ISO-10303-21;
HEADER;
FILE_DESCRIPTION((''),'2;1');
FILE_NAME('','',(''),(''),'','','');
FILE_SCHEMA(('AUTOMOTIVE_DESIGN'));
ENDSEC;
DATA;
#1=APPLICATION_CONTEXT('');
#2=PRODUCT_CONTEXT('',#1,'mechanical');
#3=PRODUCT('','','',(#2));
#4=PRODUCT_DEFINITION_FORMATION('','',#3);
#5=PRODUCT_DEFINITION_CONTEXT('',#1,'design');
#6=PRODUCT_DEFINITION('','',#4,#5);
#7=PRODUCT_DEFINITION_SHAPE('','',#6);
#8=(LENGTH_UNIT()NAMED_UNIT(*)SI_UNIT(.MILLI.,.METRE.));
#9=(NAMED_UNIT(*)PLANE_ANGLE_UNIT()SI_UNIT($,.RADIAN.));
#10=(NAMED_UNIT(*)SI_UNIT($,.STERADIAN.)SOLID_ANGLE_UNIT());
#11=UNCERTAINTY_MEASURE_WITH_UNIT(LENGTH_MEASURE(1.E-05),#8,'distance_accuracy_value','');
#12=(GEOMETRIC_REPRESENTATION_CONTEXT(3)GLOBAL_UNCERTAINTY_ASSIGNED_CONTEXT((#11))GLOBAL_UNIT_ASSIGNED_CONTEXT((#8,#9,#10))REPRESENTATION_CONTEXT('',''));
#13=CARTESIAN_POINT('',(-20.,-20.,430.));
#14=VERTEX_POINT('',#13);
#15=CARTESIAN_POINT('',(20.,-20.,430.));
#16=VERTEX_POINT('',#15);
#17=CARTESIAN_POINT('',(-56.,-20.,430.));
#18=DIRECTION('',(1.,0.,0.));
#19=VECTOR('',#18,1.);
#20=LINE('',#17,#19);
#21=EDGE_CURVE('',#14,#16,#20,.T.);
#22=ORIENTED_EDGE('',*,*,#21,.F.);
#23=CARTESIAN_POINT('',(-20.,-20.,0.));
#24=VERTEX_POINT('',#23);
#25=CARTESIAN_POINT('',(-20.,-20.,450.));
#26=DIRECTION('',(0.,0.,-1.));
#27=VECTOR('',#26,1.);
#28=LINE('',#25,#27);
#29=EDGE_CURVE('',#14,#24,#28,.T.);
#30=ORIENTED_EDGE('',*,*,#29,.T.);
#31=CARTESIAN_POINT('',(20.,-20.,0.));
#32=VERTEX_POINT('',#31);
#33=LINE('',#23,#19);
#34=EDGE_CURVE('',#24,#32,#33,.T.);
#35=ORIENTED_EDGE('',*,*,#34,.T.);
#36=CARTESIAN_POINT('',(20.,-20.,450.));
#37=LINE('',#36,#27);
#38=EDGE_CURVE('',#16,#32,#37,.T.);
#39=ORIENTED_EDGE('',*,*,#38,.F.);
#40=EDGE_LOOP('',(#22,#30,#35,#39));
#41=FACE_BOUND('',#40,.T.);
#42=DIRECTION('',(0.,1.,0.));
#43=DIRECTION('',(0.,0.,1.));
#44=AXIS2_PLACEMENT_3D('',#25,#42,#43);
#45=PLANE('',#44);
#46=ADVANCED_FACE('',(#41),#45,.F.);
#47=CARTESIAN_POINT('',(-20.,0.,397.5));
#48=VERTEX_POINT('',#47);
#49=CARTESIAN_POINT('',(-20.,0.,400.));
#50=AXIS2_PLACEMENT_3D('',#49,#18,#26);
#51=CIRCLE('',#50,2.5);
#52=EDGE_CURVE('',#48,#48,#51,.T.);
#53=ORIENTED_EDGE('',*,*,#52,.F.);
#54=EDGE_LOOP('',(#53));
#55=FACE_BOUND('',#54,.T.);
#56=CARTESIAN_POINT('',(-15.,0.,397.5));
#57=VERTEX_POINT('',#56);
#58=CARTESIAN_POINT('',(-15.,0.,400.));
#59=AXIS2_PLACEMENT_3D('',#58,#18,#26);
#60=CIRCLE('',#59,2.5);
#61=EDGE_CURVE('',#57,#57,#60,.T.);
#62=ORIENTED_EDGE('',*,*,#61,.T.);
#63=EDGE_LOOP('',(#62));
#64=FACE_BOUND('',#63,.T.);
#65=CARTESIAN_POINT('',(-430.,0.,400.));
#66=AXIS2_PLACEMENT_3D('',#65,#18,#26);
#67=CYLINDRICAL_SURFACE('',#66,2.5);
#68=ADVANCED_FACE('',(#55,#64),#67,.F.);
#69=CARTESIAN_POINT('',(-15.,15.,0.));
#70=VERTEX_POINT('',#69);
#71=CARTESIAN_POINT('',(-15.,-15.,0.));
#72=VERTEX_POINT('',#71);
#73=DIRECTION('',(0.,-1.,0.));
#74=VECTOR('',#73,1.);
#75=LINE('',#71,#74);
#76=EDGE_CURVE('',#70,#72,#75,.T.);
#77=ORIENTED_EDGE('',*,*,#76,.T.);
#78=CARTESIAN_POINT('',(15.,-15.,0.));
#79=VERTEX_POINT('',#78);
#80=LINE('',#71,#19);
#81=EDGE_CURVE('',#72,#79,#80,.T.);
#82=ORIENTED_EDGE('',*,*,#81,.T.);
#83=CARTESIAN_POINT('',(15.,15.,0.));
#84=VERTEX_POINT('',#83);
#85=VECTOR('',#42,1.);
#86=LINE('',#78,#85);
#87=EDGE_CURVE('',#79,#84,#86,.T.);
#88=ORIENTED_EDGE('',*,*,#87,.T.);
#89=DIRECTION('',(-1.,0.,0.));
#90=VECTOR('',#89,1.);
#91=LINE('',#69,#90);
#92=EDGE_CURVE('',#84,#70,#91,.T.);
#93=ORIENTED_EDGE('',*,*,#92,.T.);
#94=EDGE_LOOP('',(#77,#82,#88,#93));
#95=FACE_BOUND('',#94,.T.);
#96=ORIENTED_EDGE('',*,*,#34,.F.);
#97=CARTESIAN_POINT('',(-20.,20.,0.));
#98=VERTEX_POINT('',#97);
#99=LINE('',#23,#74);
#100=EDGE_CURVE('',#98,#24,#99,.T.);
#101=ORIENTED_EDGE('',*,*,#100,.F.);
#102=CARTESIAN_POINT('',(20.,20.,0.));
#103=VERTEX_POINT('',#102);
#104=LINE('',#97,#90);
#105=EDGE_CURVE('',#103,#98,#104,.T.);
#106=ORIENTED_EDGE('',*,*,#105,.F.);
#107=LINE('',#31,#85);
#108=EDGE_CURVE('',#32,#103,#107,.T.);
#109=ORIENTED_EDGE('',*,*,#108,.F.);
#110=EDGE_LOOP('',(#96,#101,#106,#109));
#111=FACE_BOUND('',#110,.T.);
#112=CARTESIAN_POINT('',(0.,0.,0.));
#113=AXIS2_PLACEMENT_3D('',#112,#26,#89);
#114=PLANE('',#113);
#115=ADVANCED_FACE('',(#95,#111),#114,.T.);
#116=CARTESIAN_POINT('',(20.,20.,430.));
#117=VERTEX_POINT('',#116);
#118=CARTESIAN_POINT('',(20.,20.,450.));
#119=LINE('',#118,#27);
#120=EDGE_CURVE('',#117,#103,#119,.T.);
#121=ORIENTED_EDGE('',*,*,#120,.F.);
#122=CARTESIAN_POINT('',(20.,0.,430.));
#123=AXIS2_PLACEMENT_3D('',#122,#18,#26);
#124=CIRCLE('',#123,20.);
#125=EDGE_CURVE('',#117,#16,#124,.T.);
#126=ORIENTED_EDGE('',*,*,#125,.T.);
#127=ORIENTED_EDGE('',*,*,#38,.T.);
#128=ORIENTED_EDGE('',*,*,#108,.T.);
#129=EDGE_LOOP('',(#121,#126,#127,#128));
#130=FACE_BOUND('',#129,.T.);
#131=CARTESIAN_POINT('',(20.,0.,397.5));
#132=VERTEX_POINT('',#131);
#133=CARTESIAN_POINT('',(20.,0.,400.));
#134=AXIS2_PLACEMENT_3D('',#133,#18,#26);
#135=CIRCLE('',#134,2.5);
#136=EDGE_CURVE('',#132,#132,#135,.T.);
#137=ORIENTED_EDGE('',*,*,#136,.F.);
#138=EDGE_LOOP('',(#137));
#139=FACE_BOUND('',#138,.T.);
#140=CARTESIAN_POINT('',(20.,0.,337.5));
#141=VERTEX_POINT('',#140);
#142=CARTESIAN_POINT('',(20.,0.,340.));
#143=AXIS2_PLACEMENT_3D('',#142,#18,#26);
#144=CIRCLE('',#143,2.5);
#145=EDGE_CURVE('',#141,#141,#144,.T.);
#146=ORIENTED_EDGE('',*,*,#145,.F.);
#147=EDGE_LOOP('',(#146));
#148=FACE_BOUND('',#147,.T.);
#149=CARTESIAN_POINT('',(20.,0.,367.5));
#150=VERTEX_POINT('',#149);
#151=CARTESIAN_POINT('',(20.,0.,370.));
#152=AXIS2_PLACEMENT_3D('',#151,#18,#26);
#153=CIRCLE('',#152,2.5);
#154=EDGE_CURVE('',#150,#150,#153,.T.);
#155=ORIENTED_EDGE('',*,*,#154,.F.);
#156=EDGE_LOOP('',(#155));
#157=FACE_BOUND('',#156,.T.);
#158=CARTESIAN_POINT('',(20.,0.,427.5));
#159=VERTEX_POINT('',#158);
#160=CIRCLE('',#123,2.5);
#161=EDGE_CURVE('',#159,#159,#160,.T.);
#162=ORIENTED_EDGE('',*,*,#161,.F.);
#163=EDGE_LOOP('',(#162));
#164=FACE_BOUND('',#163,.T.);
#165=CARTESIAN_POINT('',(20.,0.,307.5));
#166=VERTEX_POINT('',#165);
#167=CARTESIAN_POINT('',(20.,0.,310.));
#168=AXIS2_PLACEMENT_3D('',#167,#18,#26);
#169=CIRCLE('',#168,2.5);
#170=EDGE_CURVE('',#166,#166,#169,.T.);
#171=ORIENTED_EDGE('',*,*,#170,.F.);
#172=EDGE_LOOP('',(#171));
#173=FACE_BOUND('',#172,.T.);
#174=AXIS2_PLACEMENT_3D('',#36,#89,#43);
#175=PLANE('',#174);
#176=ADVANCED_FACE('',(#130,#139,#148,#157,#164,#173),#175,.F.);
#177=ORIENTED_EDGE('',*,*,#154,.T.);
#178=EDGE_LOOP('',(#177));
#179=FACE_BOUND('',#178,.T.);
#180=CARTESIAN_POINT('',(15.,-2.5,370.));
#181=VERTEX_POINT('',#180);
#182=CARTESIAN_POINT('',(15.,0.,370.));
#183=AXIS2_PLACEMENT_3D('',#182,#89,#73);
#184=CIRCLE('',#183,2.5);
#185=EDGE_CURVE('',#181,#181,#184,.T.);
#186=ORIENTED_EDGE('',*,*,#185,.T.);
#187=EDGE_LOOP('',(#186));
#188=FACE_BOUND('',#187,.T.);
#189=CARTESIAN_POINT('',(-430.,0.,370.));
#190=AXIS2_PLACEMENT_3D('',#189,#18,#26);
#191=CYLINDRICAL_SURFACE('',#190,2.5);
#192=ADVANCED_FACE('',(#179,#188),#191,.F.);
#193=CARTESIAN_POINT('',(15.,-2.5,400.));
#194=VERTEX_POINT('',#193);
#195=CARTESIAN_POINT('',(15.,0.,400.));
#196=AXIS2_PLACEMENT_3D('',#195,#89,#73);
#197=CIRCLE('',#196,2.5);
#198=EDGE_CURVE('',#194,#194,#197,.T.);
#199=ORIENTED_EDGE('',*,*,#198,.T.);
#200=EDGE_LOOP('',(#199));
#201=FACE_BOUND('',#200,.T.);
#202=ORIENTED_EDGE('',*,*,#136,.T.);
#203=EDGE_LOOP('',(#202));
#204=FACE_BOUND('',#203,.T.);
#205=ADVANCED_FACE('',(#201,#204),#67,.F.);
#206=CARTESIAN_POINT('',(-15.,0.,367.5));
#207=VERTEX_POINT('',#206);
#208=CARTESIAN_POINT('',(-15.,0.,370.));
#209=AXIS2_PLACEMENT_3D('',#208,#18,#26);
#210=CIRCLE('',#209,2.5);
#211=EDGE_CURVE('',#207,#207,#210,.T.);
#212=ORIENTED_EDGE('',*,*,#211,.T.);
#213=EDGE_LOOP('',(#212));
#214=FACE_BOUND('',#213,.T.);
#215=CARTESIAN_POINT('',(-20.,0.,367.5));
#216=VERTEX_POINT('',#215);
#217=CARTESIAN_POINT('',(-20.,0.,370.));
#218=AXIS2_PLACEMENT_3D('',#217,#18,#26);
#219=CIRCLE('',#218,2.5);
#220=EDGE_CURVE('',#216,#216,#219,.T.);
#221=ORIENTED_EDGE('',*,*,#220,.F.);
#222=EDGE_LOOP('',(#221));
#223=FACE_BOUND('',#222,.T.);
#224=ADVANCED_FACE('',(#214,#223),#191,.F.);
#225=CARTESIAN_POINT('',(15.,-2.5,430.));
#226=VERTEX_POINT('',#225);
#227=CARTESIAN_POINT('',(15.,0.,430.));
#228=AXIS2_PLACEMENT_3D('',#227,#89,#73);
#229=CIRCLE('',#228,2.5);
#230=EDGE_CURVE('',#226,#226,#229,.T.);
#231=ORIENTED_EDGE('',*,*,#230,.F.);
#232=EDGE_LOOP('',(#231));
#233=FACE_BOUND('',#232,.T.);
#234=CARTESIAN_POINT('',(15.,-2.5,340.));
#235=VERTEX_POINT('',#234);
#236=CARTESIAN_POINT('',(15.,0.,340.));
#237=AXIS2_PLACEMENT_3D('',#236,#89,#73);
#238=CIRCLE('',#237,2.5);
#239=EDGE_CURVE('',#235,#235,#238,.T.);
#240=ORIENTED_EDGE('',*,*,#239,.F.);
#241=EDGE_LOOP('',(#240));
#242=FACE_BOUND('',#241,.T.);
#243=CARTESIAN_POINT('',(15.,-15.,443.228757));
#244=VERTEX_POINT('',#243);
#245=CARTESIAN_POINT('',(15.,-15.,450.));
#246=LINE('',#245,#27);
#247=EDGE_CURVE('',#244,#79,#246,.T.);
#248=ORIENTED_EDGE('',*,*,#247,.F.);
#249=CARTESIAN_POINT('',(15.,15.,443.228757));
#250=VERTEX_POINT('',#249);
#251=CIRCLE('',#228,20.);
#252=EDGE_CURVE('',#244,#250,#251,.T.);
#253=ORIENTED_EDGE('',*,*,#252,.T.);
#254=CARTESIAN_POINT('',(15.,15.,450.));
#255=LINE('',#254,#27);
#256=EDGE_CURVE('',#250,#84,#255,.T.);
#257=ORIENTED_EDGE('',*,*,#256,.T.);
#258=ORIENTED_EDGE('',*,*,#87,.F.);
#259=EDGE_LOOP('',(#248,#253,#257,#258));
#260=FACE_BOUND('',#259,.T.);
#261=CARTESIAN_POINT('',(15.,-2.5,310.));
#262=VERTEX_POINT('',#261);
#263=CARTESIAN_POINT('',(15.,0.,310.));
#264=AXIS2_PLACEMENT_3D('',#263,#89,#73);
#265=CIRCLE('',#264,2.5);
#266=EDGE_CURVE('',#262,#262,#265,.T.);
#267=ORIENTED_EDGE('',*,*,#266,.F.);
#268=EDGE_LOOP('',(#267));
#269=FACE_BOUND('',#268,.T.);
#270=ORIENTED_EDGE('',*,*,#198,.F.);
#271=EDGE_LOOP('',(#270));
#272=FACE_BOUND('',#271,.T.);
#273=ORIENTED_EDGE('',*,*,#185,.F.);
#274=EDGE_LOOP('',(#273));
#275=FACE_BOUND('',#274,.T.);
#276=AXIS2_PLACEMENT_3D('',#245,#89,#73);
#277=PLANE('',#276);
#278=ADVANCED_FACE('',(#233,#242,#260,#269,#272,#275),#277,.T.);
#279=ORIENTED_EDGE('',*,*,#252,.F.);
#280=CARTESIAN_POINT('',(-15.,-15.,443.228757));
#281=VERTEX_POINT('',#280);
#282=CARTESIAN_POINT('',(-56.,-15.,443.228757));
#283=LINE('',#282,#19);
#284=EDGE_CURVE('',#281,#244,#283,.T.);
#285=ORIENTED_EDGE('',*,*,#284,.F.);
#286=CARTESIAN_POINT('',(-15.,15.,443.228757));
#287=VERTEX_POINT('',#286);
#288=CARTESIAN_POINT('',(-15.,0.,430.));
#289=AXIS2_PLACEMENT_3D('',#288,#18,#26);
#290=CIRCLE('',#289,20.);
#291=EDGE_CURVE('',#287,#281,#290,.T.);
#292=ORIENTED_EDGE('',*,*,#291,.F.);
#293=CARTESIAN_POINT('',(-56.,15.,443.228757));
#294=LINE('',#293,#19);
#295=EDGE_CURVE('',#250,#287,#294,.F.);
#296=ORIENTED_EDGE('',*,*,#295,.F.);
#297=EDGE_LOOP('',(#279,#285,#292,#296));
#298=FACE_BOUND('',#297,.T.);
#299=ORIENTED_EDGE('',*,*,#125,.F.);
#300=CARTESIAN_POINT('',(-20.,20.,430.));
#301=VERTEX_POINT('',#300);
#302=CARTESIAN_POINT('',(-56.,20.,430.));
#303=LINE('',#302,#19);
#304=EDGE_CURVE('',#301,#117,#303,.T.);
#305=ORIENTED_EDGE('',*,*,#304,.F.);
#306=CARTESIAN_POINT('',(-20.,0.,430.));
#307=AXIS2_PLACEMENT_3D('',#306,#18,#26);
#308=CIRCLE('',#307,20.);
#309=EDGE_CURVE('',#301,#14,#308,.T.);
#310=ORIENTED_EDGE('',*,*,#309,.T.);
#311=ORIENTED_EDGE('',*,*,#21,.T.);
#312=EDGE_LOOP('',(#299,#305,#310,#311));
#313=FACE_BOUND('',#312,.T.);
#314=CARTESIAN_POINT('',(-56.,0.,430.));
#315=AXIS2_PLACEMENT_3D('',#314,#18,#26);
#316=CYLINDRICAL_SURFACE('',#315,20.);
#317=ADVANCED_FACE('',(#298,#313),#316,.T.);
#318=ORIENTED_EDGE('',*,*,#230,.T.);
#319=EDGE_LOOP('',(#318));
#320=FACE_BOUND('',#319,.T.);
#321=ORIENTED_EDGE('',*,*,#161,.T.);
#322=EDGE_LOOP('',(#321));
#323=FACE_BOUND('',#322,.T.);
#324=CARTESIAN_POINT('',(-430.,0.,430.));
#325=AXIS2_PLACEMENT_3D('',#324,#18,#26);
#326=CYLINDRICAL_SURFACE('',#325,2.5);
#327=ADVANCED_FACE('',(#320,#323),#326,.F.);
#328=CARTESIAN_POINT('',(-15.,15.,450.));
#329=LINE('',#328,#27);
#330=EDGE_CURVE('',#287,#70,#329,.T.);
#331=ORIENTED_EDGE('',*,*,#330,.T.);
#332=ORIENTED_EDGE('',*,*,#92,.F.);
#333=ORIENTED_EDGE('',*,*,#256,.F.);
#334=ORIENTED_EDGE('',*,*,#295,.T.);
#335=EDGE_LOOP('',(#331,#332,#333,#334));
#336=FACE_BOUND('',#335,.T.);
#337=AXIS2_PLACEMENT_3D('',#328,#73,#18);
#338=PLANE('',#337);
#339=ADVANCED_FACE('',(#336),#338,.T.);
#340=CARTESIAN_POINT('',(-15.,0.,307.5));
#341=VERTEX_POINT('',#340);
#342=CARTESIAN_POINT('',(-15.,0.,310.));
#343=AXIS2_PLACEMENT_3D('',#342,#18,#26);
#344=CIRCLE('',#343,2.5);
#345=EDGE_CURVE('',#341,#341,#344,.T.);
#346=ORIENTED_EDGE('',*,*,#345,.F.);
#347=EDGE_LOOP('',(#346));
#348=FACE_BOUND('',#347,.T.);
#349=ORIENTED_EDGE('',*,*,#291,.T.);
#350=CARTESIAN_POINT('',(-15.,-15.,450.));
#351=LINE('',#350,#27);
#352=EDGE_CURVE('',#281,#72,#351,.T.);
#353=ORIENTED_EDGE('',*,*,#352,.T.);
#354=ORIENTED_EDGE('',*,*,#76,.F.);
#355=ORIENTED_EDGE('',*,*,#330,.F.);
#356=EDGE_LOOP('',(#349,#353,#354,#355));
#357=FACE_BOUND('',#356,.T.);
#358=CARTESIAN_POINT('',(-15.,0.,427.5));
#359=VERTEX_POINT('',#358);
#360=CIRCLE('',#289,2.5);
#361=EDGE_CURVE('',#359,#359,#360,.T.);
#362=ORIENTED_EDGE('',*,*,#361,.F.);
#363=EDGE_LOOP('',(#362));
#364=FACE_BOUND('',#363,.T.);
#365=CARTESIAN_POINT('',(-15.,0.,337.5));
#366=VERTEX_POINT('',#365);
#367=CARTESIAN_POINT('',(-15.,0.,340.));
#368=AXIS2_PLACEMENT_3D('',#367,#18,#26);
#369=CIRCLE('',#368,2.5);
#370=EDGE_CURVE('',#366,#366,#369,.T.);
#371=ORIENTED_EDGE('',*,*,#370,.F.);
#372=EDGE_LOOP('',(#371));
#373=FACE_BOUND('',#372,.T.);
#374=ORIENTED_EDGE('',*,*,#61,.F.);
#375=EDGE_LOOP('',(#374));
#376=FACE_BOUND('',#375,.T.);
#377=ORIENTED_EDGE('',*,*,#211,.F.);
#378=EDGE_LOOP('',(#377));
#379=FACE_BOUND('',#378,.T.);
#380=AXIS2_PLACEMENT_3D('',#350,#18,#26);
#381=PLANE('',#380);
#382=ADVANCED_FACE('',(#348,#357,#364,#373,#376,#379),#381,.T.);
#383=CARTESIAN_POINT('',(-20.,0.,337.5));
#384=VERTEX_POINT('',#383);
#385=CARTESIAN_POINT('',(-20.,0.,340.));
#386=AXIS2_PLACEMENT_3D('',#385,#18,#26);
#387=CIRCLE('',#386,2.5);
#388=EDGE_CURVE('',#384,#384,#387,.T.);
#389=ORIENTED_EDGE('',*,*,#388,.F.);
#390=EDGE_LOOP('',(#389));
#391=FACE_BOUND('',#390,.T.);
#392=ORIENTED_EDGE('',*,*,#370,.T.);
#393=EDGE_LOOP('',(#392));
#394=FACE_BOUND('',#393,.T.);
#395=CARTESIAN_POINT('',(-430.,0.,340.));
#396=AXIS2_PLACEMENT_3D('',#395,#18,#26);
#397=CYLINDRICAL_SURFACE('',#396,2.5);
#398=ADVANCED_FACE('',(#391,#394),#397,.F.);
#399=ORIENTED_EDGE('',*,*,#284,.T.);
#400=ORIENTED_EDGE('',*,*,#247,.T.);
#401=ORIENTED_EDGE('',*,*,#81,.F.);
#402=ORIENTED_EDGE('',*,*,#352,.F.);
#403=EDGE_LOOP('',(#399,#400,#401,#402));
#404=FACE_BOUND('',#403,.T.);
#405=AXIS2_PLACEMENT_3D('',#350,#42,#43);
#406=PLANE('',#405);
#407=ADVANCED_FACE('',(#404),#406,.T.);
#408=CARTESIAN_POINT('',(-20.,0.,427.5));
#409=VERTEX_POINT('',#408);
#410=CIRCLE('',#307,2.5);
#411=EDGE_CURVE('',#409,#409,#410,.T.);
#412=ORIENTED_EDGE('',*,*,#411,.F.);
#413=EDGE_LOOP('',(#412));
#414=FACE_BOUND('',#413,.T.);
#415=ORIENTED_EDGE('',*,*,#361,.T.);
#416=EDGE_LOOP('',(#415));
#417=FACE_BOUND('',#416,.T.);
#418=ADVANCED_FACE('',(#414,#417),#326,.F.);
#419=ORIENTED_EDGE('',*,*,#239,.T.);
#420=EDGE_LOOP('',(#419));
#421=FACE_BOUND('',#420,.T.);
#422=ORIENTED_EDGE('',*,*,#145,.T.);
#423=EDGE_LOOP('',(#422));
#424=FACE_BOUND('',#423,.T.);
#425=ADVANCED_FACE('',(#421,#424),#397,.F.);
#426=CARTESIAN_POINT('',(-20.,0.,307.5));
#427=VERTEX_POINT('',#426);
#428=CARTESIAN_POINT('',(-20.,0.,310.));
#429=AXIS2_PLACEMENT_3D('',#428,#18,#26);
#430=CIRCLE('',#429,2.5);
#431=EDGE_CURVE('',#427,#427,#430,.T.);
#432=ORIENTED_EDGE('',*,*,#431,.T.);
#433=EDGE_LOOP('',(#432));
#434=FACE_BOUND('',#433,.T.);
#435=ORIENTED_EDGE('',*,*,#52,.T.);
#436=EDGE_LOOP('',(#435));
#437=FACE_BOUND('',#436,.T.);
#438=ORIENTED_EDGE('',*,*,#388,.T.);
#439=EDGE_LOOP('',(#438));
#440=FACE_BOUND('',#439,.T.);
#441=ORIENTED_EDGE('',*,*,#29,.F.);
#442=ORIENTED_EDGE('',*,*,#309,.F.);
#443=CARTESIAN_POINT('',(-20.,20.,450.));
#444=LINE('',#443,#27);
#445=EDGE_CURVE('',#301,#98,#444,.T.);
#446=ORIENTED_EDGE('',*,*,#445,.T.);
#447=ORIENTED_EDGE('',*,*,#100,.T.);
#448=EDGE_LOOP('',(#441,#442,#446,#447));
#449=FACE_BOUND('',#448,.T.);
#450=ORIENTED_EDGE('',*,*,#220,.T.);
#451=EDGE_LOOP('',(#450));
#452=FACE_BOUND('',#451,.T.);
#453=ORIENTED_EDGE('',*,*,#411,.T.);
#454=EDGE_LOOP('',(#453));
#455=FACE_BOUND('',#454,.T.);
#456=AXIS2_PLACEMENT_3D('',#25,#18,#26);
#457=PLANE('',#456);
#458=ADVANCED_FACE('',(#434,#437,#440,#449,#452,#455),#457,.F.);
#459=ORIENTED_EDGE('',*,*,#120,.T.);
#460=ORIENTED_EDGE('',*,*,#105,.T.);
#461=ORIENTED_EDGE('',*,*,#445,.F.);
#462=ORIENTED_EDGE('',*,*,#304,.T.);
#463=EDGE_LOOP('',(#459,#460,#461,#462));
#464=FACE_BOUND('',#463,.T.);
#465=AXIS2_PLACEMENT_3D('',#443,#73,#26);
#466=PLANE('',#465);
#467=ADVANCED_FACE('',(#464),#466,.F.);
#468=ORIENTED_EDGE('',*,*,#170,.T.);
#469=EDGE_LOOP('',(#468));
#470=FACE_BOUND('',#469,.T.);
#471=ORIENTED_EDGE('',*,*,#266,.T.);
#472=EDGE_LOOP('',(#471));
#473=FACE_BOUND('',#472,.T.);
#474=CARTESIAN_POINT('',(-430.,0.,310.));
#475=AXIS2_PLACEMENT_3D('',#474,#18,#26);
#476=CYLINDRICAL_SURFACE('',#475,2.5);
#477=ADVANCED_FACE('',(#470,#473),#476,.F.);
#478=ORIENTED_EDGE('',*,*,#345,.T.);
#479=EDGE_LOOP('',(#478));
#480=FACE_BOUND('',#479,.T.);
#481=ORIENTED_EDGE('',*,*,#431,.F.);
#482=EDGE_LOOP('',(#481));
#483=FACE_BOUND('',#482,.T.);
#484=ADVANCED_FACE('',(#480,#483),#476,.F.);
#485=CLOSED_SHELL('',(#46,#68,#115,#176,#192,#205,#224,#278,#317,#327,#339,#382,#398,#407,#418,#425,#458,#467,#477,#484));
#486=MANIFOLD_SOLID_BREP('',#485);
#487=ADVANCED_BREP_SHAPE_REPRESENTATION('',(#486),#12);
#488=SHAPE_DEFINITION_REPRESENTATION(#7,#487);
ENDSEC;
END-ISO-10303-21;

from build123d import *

# Parameters (mm, degrees)
SKETCH1_W           = 40
SKETCH1_H           = 40
SKETCH1_W_2         = 30
SKETCH1_H_2         = 30
BOSS_EXTRUDE1_DEPTH = 450
SKETCH2_R           = 2.5
CUT_EXTRUDE1_DEPTH  = 450
CUT_EXTRUDE2_DEPTH  = 76
LPATTERN1_COUNT     = 5
LPATTERN1_PITCH     = 30


with BuildPart() as part:
    # Sketch1 → Boss-Extrude1 (new body)
    with BuildSketch(Plane.XY):
        Rectangle(SKETCH1_W, SKETCH1_H)
        Rectangle(SKETCH1_W_2, SKETCH1_H_2, mode=Mode.SUBTRACT)
    extrude(amount=BOSS_EXTRUDE1_DEPTH)

    # Sketch2 → Cut-Extrude1 (cut)
    with BuildSketch(Plane(origin=(20, 0, 0), x_dir=(0, 0, -1), z_dir=(1, 0, 0))):
        with Locations((-430, 0)):
            Circle(SKETCH2_R)
    cut_extrude1 = extrude(amount=-CUT_EXTRUDE1_DEPTH, mode=Mode.SUBTRACT)

    # Sketch3 → Cut-Extrude2 (cut)
    with BuildSketch(Plane(origin=(20, 0, 0), x_dir=(0, 0, -1), z_dir=(1, 0, 0))):
        with BuildLine():
            ThreePointArc((-450, 2.8e-07), (-444.142135525, 14.142135723), (-430, 20))
            Line((-430, 20), (-450, 20))
            Line((-450, 20), (-450, 2.8e-07))
        make_face()
        with BuildLine():
            ThreePointArc((-430, -20), (-444.142135723, -14.142135525), (-450, 2.8e-07))
            Line((-450, 2.8e-07), (-450, -20))
            Line((-450, -20), (-430, -20))
        make_face()
    extrude(amount=-CUT_EXTRUDE2_DEPTH, mode=Mode.SUBTRACT)

    # LPattern1: Cut-Extrude1 ×5
    with Locations(*[(0, 0, -i * LPATTERN1_PITCH) for i in range(1, LPATTERN1_COUNT)]):
        add(cut_extrude1, mode=Mode.SUBTRACT)


solid = part.part
